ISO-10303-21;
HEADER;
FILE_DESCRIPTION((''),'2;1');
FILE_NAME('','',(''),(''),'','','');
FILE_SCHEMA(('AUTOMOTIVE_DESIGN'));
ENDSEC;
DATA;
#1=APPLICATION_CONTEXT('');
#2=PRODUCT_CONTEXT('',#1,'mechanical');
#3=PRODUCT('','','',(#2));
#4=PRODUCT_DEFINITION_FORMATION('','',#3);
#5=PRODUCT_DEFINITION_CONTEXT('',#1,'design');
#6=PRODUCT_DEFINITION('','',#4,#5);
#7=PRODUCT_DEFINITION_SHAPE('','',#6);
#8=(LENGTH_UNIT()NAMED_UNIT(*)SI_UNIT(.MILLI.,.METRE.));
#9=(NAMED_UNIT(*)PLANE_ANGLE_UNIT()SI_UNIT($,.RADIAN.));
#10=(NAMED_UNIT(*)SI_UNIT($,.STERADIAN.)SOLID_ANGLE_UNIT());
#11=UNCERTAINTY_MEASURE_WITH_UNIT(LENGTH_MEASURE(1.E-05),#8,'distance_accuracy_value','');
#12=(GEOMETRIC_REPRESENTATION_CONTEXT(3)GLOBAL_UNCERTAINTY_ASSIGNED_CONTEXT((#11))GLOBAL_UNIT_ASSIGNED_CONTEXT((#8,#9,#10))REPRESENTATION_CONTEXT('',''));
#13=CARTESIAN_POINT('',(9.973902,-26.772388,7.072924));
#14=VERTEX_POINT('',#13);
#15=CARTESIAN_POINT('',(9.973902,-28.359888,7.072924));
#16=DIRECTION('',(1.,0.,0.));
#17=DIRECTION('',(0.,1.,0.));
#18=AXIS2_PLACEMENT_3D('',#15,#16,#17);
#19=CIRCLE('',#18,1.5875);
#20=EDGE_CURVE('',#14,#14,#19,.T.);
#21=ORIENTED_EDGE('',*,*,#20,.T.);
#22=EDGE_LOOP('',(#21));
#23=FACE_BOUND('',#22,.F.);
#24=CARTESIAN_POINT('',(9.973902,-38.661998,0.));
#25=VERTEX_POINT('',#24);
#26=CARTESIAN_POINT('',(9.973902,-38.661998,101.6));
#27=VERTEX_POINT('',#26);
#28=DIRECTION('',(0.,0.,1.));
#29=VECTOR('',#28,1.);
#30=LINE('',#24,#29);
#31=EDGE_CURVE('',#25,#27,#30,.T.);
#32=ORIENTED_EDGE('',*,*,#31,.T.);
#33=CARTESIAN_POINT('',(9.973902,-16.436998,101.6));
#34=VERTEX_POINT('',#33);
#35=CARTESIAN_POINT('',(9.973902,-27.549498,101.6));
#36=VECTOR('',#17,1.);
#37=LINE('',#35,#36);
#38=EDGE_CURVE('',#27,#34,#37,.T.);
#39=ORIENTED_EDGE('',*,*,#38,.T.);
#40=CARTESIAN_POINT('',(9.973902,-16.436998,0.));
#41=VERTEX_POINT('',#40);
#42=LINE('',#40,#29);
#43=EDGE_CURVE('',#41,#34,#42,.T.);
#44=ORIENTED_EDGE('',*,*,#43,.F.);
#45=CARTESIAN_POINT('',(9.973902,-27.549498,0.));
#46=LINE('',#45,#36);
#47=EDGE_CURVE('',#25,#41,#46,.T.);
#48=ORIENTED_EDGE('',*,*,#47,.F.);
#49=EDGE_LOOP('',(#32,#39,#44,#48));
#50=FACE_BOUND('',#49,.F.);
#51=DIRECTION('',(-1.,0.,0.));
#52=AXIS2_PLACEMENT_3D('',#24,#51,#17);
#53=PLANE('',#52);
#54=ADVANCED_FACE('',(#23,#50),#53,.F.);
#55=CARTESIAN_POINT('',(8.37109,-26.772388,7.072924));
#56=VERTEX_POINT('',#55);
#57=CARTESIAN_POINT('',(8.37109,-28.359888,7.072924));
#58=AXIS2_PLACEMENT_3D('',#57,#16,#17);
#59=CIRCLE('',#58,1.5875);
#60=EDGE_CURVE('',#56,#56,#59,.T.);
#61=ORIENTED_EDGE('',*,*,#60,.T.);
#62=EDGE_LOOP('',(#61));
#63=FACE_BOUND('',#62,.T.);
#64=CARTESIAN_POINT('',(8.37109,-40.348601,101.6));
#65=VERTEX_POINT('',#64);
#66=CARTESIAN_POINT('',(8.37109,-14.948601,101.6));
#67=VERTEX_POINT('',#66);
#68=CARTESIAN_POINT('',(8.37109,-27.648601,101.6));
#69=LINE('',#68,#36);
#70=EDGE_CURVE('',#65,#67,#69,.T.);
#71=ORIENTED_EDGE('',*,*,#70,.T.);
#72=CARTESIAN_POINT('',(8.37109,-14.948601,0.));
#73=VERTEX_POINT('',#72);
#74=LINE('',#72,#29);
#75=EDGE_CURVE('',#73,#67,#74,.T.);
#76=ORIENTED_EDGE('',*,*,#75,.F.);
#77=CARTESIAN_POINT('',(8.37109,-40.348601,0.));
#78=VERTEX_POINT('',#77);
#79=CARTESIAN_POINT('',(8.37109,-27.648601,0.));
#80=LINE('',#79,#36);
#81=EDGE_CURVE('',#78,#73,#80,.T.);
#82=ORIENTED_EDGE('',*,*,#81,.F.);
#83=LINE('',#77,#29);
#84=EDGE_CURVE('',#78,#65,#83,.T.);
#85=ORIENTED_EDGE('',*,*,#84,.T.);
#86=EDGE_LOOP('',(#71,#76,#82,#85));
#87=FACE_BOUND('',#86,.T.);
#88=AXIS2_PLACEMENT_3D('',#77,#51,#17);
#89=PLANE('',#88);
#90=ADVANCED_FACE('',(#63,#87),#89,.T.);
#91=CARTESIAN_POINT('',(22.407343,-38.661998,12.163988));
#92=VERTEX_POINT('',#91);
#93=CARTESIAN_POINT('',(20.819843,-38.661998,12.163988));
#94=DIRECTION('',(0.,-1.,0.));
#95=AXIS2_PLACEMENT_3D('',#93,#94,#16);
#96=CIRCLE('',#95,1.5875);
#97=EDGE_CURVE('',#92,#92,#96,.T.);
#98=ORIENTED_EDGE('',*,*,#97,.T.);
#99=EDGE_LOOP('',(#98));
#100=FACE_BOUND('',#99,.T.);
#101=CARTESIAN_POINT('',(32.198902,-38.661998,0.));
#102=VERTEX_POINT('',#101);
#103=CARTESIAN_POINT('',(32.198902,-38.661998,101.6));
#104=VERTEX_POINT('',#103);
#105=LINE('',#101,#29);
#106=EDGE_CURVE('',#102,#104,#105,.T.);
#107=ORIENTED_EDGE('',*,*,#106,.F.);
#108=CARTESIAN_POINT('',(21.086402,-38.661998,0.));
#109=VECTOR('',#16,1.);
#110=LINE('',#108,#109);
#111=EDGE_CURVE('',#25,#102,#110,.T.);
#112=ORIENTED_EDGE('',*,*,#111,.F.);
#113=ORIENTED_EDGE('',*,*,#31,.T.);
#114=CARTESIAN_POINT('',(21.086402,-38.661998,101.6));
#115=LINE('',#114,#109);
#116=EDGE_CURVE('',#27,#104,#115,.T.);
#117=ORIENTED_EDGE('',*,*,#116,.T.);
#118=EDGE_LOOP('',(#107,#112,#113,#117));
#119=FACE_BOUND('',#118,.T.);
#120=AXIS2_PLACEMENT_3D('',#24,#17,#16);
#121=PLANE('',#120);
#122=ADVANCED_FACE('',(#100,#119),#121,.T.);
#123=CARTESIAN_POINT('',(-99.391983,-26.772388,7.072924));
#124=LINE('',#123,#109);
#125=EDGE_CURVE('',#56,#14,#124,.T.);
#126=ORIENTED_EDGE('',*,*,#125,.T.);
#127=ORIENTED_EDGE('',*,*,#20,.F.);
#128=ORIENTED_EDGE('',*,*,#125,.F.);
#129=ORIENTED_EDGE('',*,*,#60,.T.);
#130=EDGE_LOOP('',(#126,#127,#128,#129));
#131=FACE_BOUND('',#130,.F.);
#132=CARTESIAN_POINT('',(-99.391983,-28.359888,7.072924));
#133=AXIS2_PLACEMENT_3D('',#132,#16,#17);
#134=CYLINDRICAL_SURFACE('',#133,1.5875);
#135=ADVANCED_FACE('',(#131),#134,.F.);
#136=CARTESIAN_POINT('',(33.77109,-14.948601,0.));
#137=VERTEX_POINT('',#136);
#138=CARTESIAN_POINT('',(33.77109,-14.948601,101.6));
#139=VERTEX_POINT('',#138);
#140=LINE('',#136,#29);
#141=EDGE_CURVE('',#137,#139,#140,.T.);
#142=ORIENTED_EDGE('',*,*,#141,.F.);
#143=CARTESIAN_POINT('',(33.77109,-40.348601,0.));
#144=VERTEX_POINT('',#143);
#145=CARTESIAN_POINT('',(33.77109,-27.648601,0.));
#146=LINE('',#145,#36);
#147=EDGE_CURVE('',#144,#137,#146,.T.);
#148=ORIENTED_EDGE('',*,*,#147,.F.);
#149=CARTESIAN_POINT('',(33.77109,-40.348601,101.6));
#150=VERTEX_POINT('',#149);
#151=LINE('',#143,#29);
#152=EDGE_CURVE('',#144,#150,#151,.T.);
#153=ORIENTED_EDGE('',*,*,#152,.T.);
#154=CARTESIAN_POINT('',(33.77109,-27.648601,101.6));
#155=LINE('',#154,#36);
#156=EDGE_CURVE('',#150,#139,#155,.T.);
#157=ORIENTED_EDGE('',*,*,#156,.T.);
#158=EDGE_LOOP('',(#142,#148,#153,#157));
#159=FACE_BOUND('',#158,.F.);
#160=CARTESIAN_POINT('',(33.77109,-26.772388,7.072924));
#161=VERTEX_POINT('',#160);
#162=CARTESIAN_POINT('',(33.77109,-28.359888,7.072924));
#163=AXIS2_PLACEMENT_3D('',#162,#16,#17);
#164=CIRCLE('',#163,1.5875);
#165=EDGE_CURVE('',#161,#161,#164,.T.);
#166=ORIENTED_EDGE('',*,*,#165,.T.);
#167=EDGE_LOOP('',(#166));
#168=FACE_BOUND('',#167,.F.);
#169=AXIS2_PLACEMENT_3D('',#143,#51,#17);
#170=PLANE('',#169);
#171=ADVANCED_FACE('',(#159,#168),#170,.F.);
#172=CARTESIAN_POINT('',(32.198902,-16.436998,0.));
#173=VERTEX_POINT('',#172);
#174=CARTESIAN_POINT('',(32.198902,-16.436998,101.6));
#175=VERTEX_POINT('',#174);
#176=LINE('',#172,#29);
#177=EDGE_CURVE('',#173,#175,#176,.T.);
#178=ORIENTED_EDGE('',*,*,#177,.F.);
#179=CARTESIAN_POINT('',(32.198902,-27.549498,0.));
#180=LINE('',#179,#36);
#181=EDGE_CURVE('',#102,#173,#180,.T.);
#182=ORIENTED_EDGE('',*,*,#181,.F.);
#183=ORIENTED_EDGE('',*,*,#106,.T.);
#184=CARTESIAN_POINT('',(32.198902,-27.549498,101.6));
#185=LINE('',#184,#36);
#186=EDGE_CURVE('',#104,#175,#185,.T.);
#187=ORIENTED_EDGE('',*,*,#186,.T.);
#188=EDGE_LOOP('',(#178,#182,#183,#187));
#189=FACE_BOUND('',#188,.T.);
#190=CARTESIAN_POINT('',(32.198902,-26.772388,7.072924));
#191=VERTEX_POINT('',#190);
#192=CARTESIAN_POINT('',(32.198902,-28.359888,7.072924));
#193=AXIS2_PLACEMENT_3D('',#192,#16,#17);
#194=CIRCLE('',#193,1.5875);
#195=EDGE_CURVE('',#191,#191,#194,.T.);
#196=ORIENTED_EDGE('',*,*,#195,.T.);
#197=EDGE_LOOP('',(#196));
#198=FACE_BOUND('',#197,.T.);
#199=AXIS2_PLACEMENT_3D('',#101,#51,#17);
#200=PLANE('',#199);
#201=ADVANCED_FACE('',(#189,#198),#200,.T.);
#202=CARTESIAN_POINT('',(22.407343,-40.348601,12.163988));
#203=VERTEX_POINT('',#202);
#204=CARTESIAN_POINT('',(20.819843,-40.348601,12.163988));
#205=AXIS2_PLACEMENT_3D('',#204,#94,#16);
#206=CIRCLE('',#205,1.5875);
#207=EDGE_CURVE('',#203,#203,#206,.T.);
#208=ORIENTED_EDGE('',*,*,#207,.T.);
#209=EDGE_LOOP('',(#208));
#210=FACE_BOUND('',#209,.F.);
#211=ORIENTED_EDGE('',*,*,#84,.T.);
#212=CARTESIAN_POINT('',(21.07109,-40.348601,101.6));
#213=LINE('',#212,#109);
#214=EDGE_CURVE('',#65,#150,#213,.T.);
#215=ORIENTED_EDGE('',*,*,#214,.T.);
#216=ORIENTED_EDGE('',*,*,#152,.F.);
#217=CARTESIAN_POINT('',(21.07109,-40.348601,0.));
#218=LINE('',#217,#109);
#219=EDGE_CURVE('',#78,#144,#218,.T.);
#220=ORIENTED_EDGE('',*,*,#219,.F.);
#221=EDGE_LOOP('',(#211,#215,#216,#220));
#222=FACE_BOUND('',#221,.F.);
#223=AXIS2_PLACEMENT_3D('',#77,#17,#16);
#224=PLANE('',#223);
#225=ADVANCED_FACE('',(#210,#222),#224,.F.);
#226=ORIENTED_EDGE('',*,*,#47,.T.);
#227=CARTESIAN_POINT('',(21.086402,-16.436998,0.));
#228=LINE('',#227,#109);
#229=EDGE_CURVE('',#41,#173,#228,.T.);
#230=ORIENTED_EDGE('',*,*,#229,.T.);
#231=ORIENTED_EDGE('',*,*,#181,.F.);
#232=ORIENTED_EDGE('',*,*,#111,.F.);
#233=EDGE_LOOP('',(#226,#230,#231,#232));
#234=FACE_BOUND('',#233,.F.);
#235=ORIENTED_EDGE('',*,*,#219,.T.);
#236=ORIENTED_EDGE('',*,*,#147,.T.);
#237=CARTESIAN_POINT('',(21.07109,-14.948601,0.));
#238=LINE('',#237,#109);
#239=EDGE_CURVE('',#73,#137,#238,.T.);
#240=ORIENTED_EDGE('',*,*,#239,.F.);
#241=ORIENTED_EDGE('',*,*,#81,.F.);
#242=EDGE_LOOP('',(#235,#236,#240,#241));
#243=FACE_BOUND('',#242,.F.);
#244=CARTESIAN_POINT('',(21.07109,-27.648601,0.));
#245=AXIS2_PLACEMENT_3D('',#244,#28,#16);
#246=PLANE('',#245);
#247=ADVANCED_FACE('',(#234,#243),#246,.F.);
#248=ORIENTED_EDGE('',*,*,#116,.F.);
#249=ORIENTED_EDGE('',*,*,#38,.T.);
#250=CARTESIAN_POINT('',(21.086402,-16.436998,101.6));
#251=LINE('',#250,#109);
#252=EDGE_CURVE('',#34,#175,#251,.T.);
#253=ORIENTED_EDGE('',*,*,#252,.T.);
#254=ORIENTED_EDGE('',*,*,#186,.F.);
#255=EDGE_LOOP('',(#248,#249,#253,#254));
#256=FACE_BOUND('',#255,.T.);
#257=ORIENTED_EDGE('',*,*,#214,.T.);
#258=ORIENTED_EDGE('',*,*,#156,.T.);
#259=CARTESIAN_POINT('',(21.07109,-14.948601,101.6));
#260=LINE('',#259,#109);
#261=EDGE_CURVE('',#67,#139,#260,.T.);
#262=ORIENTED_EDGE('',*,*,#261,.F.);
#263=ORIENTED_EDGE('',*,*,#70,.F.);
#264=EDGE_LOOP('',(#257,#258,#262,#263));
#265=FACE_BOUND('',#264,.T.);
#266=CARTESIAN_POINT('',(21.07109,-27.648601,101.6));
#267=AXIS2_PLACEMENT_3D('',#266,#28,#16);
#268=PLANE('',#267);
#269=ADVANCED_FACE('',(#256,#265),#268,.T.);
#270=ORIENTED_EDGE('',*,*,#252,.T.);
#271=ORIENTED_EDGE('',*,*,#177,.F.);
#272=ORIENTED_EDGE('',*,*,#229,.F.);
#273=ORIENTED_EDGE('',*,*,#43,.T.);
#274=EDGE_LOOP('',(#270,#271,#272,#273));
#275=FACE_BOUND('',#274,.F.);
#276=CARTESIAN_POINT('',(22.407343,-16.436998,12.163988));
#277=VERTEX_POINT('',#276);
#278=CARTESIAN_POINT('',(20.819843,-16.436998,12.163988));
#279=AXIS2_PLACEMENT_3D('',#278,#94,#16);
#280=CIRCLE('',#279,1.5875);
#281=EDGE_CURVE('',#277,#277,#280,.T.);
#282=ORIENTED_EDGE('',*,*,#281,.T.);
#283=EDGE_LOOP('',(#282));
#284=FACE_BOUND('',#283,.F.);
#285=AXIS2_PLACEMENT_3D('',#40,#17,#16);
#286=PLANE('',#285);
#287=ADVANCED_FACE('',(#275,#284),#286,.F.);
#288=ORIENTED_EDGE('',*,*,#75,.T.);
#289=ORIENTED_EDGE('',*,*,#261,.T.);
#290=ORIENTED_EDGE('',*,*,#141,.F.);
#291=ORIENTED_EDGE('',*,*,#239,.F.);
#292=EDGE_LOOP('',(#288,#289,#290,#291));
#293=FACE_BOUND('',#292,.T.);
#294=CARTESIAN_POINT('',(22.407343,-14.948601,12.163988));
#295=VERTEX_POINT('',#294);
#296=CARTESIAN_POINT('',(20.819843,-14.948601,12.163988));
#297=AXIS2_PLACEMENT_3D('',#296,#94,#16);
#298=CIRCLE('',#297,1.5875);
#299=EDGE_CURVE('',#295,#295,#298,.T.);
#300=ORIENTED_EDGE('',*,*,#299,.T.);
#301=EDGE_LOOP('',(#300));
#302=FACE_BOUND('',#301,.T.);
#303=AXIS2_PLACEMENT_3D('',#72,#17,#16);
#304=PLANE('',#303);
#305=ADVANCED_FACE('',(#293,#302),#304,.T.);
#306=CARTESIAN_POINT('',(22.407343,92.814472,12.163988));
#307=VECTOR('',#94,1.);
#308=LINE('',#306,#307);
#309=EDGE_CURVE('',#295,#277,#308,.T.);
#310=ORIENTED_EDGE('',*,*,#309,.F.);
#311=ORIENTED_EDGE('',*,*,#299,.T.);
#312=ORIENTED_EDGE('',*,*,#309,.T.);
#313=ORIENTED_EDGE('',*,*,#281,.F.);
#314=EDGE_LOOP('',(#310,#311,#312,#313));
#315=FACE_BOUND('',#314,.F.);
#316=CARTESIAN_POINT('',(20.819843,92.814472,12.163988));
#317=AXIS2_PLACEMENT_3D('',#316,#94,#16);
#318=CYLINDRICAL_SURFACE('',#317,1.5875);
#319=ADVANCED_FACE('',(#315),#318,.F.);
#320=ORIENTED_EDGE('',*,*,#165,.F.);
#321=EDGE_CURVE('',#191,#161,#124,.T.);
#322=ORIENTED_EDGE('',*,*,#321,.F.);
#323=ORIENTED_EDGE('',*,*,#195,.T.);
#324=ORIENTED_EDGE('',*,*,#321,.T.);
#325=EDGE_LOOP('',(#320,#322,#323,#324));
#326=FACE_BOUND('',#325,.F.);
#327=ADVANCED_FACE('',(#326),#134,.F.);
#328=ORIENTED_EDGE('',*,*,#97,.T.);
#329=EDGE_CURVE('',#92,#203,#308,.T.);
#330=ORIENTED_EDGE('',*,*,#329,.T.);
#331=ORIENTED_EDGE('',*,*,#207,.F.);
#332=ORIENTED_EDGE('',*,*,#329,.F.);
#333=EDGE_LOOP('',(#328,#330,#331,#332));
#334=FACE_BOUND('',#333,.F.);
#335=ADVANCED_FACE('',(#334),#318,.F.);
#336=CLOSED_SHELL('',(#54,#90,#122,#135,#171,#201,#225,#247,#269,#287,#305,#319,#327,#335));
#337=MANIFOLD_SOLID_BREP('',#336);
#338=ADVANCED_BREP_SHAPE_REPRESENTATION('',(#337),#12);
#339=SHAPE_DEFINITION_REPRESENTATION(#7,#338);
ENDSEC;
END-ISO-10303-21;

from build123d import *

# Parameters (mm, degrees)
F1_W     = 25.4
F1_H     = 25.4
F1_W_2   = 22.225
F1_H_2   = 22.225
F2_DEPTH = 101.6
F4_D     = 3.175
F6_D     = 3.175


with BuildPart() as f2:
    # F1 (on face) → F2 (new body)
    with BuildSketch(Plane.XY):
        with Locations((21.07109, -27.648601)):
            Rectangle(F1_W, F1_H)
        with Locations((21.086402, -27.549498)):
            Rectangle(F1_W_2, F1_H_2, mode=Mode.SUBTRACT)
    extrude(amount=F2_DEPTH)

    # F4 (through all)
    with Locations(Plane(origin=(0, -14.948601, 0), x_dir=(-1, 0, 0), z_dir=(0, 1, 0))):
        with Locations((-20.819843, 12.163988)):
            Hole(F4_D / 2)

    # F6 (through all)
    with Locations(Plane(origin=(8.37109, 0, 0), x_dir=(0, -1, 0), z_dir=(-1, 0, 0))):
        with Locations((28.359888, 7.072924)):
            Hole(F6_D / 2)


solid = f2.part
